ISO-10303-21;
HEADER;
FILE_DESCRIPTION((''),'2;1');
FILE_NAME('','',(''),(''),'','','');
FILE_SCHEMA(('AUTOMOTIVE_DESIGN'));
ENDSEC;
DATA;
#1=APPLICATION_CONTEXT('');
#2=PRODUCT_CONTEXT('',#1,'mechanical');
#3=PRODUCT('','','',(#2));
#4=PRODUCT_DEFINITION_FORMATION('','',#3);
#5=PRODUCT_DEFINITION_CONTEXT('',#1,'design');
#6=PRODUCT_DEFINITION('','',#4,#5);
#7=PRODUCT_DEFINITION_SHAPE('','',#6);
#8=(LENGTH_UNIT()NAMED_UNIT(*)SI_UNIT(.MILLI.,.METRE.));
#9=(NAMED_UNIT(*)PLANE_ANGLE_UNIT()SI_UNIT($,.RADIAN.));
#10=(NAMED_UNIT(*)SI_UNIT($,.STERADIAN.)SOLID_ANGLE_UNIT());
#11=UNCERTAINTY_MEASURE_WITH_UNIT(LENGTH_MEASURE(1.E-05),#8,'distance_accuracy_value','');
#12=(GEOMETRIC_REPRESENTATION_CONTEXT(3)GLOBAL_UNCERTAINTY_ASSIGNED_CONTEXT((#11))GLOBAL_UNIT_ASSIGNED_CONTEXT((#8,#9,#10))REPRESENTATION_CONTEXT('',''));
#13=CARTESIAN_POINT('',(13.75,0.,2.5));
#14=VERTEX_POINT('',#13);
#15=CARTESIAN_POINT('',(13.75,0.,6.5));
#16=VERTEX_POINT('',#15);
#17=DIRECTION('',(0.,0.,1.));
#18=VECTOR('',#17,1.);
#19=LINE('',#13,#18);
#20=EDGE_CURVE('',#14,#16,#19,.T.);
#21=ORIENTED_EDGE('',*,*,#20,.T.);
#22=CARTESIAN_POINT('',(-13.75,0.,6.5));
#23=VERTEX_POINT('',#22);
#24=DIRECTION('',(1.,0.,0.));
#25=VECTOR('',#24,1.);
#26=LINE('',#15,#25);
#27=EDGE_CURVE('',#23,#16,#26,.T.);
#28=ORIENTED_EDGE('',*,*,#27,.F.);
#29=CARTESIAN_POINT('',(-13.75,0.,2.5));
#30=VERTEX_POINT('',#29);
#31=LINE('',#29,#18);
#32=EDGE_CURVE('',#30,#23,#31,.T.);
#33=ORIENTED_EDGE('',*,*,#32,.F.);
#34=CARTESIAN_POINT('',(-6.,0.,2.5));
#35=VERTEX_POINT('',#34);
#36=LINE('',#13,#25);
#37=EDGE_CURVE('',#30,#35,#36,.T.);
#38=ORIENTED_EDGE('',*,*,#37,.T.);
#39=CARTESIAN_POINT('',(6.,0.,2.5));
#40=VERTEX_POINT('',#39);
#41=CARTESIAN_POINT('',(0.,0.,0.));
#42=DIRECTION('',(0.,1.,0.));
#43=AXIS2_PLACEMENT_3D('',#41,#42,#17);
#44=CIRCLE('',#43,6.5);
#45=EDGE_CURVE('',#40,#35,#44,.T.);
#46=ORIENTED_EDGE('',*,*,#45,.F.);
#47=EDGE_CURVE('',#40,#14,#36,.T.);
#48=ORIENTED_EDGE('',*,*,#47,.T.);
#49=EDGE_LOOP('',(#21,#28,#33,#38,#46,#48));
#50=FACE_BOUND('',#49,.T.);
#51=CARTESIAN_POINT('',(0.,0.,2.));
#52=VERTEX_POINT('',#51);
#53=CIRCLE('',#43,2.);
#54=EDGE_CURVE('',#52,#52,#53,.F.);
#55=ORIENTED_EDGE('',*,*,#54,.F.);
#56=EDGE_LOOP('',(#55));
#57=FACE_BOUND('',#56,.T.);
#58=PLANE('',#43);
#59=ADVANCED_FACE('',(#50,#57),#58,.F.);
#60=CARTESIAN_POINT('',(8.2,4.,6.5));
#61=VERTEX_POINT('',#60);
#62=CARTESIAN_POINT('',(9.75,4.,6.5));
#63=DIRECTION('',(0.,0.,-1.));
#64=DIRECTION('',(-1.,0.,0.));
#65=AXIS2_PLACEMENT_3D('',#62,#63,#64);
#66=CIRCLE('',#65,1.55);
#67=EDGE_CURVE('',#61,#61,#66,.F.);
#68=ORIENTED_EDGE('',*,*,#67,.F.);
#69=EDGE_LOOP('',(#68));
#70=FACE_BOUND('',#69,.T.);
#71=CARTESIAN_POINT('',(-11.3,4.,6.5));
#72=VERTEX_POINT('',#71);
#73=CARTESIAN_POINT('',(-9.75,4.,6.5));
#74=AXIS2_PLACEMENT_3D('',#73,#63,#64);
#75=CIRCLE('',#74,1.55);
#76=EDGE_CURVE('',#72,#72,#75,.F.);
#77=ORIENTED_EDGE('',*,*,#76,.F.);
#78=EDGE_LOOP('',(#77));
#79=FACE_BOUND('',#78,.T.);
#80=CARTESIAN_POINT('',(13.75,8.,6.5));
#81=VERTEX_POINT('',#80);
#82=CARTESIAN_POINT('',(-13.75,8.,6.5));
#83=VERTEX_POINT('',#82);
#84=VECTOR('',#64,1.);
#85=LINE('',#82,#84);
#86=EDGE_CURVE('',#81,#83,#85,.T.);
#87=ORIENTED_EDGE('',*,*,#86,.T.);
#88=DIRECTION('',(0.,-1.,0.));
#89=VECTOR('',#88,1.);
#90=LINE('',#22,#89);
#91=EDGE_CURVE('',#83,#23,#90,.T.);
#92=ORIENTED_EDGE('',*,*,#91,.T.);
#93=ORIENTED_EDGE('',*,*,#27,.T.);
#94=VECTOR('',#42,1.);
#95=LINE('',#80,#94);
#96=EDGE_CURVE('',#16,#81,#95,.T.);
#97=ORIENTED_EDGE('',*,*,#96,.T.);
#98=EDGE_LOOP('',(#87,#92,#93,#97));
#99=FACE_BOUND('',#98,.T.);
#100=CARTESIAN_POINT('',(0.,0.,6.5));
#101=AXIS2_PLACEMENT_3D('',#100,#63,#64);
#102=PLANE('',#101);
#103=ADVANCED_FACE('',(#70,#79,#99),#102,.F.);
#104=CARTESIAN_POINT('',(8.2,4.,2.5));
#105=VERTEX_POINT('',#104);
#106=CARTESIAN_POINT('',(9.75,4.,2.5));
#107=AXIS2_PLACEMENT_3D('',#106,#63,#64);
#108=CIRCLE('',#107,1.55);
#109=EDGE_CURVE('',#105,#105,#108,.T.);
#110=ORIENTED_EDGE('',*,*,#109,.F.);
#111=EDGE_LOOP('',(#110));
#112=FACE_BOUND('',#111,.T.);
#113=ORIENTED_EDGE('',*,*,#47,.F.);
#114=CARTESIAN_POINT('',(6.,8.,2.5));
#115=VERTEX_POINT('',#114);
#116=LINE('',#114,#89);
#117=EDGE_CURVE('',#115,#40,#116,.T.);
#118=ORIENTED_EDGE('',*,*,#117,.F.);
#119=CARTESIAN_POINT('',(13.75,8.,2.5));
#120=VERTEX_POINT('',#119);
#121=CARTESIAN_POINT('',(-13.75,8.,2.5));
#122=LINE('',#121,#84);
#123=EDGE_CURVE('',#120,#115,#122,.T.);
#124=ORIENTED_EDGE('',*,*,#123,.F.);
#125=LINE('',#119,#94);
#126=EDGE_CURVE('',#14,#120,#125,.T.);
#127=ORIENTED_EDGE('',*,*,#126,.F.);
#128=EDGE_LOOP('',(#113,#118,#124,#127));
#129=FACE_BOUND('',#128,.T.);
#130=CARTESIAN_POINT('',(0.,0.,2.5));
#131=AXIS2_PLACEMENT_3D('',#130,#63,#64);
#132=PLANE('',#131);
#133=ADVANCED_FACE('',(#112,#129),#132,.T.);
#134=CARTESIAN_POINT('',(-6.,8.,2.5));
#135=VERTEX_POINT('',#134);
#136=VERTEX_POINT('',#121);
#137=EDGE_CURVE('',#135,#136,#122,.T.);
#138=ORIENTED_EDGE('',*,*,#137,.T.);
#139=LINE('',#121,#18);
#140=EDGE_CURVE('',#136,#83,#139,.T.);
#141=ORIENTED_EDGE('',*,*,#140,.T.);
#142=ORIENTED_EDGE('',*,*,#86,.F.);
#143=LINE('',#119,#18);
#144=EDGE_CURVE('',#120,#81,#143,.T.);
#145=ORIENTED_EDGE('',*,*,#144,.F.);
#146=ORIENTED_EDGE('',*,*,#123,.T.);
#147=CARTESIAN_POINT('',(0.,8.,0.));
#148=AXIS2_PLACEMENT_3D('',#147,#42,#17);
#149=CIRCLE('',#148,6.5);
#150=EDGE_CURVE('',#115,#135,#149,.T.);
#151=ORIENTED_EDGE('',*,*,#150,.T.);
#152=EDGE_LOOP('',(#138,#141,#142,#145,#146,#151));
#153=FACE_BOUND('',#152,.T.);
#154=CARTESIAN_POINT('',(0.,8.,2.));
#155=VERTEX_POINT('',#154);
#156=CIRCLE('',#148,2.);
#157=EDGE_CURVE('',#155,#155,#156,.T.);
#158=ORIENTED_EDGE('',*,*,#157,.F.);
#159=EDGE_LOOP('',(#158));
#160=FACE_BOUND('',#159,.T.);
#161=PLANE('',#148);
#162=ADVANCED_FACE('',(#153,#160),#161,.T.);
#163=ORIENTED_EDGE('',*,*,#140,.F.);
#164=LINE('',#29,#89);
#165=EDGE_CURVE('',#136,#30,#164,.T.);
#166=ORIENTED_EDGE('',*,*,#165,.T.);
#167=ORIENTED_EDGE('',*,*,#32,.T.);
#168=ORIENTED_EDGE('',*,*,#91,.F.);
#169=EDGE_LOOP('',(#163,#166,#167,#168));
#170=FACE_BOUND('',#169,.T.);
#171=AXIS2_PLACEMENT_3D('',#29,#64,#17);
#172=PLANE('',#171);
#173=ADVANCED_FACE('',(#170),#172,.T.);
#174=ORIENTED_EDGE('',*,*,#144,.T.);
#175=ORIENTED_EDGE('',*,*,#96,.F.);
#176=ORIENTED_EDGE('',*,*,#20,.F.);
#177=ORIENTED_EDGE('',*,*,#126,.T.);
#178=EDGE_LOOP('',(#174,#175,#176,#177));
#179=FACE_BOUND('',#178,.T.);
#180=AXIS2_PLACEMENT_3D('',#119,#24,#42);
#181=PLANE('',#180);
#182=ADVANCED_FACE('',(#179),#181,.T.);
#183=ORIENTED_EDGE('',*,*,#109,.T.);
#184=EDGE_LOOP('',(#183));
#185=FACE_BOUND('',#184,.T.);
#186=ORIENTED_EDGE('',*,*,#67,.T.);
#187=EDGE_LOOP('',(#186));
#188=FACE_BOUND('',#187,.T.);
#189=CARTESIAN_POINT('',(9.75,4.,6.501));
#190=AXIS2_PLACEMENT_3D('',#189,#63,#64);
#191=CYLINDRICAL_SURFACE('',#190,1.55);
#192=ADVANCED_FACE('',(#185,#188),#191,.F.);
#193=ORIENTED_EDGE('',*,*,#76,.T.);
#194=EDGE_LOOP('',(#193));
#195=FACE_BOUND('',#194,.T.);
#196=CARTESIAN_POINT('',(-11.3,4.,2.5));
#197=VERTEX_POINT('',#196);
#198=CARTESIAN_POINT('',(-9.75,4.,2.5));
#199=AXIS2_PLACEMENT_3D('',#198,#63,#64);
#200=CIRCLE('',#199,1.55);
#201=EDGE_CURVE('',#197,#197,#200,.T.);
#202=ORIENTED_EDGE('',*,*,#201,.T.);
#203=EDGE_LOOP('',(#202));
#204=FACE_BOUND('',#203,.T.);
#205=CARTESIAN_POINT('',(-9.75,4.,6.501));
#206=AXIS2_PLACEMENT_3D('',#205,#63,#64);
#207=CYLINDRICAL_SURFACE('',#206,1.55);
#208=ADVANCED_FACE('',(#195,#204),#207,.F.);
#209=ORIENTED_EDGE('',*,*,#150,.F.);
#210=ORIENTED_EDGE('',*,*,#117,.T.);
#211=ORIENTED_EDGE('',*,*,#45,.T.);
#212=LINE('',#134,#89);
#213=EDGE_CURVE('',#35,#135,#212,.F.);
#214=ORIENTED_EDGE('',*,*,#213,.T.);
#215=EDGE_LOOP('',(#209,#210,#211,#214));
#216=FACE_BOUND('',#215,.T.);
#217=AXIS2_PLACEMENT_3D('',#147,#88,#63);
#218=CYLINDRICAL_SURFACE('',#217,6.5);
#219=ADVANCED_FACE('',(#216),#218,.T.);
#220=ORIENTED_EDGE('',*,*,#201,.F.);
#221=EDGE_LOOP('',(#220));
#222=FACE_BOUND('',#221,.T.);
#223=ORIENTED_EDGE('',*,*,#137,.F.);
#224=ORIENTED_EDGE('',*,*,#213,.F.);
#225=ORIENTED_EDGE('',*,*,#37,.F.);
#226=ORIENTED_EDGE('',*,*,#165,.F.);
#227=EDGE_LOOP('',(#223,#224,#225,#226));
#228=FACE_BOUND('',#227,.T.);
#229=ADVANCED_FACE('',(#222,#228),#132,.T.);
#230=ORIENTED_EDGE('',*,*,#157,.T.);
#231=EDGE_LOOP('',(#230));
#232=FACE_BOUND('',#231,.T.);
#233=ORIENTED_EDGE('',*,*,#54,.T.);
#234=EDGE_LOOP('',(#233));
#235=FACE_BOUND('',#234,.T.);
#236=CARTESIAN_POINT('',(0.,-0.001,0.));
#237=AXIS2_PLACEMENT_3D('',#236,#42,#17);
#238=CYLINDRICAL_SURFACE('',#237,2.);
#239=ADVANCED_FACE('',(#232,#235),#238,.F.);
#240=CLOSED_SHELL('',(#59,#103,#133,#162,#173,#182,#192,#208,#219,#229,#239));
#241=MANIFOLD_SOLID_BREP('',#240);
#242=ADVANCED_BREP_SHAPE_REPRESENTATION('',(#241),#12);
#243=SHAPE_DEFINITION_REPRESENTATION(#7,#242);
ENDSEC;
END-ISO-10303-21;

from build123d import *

# Parameters (mm, degrees)
SKETCH1_R           = 6.5
BOSS_EXTRUDE1_DEPTH = 8
SKETCH3_W           = 27.5
SKETCH3_H           = 8
BOSS_EXTRUDE2_DEPTH = 4
CUT_EXTRUDE1_REACH  = 19.185
SKETCH4_R           = 2
CUT_EXTRUDE2_REACH  = 20.277
SKETCH5_R           = 1.55


with BuildPart() as part:
    # Sketch1 → Boss-Extrude1 (new body)
    with BuildSketch(Plane(origin=(0, 0, 0), x_dir=(1, 0, 0), z_dir=(0, 1, 0))):
        with Locations(Location((0, 0, 0), (0, 0, 270))):
            Circle(SKETCH1_R)
    extrude(amount=BOSS_EXTRUDE1_DEPTH)

    # Sketch3 → Boss-Extrude2 (add)
    with BuildSketch(Plane(origin=(0, 8, 6.5), x_dir=(1, 0, 0), z_dir=(0, 0, 1))):
        with Locations((0, -4)):
            Rectangle(SKETCH3_W, SKETCH3_H)
    extrude(amount=-BOSS_EXTRUDE2_DEPTH)

    # Sketch4 → Cut-Extrude1 (cut, up to next)
    with BuildSketch(Plane(origin=(0, 8, 0), x_dir=(1, 0, 0), z_dir=(0, 1, 0)), mode=Mode.PRIVATE) as cut_extrude1_sk1:
        with Locations(Location((0, 0, 0), (0, 0, 270))):
            Circle(SKETCH4_R)
    cut_extrude1_tool1 = extrude(cut_extrude1_sk1.sketch, amount=-CUT_EXTRUDE1_REACH, mode=Mode.PRIVATE) & part.part
    add(cut_extrude1_tool1.solids().sort_by_distance((0, 8, 0))[0], mode=Mode.SUBTRACT)

    # Sketch5 → Cut-Extrude2 (cut, up to next)
    with BuildSketch(Plane(origin=(0, 0, 2.5), x_dir=(-1, 0, 0), z_dir=(0, 0, -1)), mode=Mode.PRIVATE) as cut_extrude2_sk1:
        with Locations((9.75, 4)):
            Circle(SKETCH5_R)
    cut_extrude2_tool1 = extrude(cut_extrude2_sk1.sketch, amount=-CUT_EXTRUDE2_REACH, mode=Mode.PRIVATE) & part.part
    # Sketch5 → Cut-Extrude2 (cut, up to next)
    with BuildSketch(Plane(origin=(0, 0, 2.5), x_dir=(-1, 0, 0), z_dir=(0, 0, -1)), mode=Mode.PRIVATE) as cut_extrude2_sk2:
        with Locations((-9.75, 4)):
            Circle(SKETCH5_R)
    cut_extrude2_tool2 = extrude(cut_extrude2_sk2.sketch, amount=-CUT_EXTRUDE2_REACH, mode=Mode.PRIVATE) & part.part
    add(cut_extrude2_tool1.solids().sort_by_distance((-9.75, 4, 2.5))[0], mode=Mode.SUBTRACT)
    add(cut_extrude2_tool2.solids().sort_by_distance((9.75, 4, 2.5))[0], mode=Mode.SUBTRACT)


solid = part.part
